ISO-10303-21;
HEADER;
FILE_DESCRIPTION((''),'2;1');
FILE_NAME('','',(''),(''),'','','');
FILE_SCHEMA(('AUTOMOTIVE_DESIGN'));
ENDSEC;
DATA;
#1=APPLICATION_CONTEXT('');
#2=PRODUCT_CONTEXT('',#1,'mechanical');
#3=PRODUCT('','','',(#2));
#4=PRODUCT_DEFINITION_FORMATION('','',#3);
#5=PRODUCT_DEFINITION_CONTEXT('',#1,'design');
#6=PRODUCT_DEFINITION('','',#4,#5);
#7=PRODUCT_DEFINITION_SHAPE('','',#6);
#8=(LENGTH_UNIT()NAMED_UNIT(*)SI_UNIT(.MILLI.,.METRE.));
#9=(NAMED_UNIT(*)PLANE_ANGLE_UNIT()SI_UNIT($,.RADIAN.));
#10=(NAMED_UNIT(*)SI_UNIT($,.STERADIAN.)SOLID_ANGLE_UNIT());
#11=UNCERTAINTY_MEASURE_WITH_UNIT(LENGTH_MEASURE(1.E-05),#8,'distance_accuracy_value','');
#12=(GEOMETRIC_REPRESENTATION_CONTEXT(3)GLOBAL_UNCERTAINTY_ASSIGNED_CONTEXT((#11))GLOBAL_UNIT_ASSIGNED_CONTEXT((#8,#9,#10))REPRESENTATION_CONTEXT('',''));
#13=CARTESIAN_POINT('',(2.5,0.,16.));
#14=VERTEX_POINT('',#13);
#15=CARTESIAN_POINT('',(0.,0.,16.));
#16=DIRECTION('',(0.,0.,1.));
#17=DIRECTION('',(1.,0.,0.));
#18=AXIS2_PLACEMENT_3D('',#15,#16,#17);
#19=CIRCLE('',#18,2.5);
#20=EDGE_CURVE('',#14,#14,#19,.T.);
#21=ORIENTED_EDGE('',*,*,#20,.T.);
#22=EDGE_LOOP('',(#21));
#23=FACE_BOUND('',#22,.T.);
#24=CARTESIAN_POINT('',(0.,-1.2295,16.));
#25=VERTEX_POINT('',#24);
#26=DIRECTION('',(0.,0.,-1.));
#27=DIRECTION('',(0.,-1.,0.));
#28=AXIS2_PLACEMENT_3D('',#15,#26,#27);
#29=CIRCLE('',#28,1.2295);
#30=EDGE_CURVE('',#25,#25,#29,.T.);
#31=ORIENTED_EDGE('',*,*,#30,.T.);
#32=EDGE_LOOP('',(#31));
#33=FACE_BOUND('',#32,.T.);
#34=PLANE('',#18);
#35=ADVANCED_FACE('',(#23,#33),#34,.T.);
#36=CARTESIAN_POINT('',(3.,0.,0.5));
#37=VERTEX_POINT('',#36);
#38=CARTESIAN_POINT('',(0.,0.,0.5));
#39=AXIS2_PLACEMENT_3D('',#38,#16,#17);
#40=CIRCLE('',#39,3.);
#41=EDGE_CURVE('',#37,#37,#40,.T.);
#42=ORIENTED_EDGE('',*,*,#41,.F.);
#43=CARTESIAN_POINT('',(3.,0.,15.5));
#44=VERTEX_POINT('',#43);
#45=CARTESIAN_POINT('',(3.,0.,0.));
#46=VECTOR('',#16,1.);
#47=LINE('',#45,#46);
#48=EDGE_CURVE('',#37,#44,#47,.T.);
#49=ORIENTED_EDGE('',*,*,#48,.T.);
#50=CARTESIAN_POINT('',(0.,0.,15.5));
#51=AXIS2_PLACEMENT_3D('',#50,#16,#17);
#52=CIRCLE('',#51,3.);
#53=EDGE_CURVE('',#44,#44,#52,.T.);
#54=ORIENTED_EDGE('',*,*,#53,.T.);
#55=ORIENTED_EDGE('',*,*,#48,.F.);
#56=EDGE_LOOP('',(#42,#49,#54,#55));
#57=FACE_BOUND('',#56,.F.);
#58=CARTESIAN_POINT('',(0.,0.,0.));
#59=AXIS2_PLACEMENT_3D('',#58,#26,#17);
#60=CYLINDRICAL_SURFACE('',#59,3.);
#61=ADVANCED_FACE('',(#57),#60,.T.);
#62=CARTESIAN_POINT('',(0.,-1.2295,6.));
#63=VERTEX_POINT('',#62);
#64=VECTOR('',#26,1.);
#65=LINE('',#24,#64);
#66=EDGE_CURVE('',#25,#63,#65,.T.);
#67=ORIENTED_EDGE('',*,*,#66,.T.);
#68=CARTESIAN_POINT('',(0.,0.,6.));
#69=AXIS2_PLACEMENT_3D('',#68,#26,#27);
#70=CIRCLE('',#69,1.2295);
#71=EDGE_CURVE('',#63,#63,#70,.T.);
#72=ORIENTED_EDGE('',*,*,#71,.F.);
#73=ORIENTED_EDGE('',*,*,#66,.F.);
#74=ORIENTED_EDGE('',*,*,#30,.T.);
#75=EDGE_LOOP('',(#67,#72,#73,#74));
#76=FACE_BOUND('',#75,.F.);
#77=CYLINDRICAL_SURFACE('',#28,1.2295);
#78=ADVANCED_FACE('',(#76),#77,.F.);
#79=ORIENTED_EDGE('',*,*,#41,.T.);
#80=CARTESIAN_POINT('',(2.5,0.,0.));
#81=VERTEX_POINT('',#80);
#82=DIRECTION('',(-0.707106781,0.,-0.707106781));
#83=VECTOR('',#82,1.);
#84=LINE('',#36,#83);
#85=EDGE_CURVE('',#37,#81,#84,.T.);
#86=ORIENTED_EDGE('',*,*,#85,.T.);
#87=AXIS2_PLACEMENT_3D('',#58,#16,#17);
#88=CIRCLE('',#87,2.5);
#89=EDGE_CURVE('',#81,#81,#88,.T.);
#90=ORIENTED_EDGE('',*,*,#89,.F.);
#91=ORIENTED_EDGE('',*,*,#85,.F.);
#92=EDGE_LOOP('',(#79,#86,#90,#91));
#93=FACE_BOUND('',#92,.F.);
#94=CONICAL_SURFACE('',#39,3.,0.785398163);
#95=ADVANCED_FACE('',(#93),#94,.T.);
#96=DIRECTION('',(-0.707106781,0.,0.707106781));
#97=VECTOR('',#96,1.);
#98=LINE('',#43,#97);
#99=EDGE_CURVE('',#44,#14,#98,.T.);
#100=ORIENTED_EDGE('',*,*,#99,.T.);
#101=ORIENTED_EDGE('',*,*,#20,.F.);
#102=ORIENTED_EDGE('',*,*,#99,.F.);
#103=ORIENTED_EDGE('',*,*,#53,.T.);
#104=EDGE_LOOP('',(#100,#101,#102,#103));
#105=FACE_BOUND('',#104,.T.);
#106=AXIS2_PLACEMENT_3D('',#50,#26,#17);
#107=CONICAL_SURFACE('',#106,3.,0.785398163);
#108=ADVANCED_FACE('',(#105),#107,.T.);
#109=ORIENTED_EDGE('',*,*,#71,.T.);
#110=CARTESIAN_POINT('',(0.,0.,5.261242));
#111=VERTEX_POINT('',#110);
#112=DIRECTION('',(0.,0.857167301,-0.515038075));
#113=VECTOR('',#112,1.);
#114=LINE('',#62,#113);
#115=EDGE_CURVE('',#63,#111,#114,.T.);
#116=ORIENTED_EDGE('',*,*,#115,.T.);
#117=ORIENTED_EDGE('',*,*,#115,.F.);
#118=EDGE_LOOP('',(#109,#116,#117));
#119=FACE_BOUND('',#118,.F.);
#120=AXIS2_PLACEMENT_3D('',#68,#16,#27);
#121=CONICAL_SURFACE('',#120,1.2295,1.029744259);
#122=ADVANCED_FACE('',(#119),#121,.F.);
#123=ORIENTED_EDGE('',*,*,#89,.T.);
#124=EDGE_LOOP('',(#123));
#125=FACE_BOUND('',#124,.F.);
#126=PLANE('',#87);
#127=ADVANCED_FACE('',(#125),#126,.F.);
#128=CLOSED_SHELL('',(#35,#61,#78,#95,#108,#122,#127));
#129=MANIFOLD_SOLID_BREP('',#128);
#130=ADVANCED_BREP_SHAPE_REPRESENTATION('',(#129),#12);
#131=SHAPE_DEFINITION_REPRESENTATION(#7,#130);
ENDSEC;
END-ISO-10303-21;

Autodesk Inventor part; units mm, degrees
ref_plane "YZ Plane" through (0, 0, 0) normal (1, 0, 0) x (0, 1, 0)
ref_plane "XZ Plane" through (0, 0, 0) normal (0, 1, 0) x (-1, 0, 0)
ref_plane "XY Plane" through (0, 0, 0) normal (0, 0, 1) x (1, 0, 0)
sketch "Skizze1" plane through (0, 0, 0) normal (0, 0, 1) x (1, 0, 0)
  circle A0 centre (0, 0) radius 3
  dimension "d0" = 6
extrude "Extrusion1" add sketch "Skizze1" along normal blind 16
chamfer "Fase1" distance 0.5 angle 45 2 edges at (-3, 0, 16) (-3, 0, 0)
sketch "Skizze2" plane through (0, 0, 16) normal (0, 0, 1) x (1, 0, 0)
  circle A0 centre (0, 0) radius 2.5 projected
hole "Bohrung1" at (0, 0, 16) direction (0, 0, -1) diameter 2.459 depth 10 tip angle 118 thread size "M3x0.5" class "6H" standard "ISO Metric profile"
properties part number "13_0204_021"
